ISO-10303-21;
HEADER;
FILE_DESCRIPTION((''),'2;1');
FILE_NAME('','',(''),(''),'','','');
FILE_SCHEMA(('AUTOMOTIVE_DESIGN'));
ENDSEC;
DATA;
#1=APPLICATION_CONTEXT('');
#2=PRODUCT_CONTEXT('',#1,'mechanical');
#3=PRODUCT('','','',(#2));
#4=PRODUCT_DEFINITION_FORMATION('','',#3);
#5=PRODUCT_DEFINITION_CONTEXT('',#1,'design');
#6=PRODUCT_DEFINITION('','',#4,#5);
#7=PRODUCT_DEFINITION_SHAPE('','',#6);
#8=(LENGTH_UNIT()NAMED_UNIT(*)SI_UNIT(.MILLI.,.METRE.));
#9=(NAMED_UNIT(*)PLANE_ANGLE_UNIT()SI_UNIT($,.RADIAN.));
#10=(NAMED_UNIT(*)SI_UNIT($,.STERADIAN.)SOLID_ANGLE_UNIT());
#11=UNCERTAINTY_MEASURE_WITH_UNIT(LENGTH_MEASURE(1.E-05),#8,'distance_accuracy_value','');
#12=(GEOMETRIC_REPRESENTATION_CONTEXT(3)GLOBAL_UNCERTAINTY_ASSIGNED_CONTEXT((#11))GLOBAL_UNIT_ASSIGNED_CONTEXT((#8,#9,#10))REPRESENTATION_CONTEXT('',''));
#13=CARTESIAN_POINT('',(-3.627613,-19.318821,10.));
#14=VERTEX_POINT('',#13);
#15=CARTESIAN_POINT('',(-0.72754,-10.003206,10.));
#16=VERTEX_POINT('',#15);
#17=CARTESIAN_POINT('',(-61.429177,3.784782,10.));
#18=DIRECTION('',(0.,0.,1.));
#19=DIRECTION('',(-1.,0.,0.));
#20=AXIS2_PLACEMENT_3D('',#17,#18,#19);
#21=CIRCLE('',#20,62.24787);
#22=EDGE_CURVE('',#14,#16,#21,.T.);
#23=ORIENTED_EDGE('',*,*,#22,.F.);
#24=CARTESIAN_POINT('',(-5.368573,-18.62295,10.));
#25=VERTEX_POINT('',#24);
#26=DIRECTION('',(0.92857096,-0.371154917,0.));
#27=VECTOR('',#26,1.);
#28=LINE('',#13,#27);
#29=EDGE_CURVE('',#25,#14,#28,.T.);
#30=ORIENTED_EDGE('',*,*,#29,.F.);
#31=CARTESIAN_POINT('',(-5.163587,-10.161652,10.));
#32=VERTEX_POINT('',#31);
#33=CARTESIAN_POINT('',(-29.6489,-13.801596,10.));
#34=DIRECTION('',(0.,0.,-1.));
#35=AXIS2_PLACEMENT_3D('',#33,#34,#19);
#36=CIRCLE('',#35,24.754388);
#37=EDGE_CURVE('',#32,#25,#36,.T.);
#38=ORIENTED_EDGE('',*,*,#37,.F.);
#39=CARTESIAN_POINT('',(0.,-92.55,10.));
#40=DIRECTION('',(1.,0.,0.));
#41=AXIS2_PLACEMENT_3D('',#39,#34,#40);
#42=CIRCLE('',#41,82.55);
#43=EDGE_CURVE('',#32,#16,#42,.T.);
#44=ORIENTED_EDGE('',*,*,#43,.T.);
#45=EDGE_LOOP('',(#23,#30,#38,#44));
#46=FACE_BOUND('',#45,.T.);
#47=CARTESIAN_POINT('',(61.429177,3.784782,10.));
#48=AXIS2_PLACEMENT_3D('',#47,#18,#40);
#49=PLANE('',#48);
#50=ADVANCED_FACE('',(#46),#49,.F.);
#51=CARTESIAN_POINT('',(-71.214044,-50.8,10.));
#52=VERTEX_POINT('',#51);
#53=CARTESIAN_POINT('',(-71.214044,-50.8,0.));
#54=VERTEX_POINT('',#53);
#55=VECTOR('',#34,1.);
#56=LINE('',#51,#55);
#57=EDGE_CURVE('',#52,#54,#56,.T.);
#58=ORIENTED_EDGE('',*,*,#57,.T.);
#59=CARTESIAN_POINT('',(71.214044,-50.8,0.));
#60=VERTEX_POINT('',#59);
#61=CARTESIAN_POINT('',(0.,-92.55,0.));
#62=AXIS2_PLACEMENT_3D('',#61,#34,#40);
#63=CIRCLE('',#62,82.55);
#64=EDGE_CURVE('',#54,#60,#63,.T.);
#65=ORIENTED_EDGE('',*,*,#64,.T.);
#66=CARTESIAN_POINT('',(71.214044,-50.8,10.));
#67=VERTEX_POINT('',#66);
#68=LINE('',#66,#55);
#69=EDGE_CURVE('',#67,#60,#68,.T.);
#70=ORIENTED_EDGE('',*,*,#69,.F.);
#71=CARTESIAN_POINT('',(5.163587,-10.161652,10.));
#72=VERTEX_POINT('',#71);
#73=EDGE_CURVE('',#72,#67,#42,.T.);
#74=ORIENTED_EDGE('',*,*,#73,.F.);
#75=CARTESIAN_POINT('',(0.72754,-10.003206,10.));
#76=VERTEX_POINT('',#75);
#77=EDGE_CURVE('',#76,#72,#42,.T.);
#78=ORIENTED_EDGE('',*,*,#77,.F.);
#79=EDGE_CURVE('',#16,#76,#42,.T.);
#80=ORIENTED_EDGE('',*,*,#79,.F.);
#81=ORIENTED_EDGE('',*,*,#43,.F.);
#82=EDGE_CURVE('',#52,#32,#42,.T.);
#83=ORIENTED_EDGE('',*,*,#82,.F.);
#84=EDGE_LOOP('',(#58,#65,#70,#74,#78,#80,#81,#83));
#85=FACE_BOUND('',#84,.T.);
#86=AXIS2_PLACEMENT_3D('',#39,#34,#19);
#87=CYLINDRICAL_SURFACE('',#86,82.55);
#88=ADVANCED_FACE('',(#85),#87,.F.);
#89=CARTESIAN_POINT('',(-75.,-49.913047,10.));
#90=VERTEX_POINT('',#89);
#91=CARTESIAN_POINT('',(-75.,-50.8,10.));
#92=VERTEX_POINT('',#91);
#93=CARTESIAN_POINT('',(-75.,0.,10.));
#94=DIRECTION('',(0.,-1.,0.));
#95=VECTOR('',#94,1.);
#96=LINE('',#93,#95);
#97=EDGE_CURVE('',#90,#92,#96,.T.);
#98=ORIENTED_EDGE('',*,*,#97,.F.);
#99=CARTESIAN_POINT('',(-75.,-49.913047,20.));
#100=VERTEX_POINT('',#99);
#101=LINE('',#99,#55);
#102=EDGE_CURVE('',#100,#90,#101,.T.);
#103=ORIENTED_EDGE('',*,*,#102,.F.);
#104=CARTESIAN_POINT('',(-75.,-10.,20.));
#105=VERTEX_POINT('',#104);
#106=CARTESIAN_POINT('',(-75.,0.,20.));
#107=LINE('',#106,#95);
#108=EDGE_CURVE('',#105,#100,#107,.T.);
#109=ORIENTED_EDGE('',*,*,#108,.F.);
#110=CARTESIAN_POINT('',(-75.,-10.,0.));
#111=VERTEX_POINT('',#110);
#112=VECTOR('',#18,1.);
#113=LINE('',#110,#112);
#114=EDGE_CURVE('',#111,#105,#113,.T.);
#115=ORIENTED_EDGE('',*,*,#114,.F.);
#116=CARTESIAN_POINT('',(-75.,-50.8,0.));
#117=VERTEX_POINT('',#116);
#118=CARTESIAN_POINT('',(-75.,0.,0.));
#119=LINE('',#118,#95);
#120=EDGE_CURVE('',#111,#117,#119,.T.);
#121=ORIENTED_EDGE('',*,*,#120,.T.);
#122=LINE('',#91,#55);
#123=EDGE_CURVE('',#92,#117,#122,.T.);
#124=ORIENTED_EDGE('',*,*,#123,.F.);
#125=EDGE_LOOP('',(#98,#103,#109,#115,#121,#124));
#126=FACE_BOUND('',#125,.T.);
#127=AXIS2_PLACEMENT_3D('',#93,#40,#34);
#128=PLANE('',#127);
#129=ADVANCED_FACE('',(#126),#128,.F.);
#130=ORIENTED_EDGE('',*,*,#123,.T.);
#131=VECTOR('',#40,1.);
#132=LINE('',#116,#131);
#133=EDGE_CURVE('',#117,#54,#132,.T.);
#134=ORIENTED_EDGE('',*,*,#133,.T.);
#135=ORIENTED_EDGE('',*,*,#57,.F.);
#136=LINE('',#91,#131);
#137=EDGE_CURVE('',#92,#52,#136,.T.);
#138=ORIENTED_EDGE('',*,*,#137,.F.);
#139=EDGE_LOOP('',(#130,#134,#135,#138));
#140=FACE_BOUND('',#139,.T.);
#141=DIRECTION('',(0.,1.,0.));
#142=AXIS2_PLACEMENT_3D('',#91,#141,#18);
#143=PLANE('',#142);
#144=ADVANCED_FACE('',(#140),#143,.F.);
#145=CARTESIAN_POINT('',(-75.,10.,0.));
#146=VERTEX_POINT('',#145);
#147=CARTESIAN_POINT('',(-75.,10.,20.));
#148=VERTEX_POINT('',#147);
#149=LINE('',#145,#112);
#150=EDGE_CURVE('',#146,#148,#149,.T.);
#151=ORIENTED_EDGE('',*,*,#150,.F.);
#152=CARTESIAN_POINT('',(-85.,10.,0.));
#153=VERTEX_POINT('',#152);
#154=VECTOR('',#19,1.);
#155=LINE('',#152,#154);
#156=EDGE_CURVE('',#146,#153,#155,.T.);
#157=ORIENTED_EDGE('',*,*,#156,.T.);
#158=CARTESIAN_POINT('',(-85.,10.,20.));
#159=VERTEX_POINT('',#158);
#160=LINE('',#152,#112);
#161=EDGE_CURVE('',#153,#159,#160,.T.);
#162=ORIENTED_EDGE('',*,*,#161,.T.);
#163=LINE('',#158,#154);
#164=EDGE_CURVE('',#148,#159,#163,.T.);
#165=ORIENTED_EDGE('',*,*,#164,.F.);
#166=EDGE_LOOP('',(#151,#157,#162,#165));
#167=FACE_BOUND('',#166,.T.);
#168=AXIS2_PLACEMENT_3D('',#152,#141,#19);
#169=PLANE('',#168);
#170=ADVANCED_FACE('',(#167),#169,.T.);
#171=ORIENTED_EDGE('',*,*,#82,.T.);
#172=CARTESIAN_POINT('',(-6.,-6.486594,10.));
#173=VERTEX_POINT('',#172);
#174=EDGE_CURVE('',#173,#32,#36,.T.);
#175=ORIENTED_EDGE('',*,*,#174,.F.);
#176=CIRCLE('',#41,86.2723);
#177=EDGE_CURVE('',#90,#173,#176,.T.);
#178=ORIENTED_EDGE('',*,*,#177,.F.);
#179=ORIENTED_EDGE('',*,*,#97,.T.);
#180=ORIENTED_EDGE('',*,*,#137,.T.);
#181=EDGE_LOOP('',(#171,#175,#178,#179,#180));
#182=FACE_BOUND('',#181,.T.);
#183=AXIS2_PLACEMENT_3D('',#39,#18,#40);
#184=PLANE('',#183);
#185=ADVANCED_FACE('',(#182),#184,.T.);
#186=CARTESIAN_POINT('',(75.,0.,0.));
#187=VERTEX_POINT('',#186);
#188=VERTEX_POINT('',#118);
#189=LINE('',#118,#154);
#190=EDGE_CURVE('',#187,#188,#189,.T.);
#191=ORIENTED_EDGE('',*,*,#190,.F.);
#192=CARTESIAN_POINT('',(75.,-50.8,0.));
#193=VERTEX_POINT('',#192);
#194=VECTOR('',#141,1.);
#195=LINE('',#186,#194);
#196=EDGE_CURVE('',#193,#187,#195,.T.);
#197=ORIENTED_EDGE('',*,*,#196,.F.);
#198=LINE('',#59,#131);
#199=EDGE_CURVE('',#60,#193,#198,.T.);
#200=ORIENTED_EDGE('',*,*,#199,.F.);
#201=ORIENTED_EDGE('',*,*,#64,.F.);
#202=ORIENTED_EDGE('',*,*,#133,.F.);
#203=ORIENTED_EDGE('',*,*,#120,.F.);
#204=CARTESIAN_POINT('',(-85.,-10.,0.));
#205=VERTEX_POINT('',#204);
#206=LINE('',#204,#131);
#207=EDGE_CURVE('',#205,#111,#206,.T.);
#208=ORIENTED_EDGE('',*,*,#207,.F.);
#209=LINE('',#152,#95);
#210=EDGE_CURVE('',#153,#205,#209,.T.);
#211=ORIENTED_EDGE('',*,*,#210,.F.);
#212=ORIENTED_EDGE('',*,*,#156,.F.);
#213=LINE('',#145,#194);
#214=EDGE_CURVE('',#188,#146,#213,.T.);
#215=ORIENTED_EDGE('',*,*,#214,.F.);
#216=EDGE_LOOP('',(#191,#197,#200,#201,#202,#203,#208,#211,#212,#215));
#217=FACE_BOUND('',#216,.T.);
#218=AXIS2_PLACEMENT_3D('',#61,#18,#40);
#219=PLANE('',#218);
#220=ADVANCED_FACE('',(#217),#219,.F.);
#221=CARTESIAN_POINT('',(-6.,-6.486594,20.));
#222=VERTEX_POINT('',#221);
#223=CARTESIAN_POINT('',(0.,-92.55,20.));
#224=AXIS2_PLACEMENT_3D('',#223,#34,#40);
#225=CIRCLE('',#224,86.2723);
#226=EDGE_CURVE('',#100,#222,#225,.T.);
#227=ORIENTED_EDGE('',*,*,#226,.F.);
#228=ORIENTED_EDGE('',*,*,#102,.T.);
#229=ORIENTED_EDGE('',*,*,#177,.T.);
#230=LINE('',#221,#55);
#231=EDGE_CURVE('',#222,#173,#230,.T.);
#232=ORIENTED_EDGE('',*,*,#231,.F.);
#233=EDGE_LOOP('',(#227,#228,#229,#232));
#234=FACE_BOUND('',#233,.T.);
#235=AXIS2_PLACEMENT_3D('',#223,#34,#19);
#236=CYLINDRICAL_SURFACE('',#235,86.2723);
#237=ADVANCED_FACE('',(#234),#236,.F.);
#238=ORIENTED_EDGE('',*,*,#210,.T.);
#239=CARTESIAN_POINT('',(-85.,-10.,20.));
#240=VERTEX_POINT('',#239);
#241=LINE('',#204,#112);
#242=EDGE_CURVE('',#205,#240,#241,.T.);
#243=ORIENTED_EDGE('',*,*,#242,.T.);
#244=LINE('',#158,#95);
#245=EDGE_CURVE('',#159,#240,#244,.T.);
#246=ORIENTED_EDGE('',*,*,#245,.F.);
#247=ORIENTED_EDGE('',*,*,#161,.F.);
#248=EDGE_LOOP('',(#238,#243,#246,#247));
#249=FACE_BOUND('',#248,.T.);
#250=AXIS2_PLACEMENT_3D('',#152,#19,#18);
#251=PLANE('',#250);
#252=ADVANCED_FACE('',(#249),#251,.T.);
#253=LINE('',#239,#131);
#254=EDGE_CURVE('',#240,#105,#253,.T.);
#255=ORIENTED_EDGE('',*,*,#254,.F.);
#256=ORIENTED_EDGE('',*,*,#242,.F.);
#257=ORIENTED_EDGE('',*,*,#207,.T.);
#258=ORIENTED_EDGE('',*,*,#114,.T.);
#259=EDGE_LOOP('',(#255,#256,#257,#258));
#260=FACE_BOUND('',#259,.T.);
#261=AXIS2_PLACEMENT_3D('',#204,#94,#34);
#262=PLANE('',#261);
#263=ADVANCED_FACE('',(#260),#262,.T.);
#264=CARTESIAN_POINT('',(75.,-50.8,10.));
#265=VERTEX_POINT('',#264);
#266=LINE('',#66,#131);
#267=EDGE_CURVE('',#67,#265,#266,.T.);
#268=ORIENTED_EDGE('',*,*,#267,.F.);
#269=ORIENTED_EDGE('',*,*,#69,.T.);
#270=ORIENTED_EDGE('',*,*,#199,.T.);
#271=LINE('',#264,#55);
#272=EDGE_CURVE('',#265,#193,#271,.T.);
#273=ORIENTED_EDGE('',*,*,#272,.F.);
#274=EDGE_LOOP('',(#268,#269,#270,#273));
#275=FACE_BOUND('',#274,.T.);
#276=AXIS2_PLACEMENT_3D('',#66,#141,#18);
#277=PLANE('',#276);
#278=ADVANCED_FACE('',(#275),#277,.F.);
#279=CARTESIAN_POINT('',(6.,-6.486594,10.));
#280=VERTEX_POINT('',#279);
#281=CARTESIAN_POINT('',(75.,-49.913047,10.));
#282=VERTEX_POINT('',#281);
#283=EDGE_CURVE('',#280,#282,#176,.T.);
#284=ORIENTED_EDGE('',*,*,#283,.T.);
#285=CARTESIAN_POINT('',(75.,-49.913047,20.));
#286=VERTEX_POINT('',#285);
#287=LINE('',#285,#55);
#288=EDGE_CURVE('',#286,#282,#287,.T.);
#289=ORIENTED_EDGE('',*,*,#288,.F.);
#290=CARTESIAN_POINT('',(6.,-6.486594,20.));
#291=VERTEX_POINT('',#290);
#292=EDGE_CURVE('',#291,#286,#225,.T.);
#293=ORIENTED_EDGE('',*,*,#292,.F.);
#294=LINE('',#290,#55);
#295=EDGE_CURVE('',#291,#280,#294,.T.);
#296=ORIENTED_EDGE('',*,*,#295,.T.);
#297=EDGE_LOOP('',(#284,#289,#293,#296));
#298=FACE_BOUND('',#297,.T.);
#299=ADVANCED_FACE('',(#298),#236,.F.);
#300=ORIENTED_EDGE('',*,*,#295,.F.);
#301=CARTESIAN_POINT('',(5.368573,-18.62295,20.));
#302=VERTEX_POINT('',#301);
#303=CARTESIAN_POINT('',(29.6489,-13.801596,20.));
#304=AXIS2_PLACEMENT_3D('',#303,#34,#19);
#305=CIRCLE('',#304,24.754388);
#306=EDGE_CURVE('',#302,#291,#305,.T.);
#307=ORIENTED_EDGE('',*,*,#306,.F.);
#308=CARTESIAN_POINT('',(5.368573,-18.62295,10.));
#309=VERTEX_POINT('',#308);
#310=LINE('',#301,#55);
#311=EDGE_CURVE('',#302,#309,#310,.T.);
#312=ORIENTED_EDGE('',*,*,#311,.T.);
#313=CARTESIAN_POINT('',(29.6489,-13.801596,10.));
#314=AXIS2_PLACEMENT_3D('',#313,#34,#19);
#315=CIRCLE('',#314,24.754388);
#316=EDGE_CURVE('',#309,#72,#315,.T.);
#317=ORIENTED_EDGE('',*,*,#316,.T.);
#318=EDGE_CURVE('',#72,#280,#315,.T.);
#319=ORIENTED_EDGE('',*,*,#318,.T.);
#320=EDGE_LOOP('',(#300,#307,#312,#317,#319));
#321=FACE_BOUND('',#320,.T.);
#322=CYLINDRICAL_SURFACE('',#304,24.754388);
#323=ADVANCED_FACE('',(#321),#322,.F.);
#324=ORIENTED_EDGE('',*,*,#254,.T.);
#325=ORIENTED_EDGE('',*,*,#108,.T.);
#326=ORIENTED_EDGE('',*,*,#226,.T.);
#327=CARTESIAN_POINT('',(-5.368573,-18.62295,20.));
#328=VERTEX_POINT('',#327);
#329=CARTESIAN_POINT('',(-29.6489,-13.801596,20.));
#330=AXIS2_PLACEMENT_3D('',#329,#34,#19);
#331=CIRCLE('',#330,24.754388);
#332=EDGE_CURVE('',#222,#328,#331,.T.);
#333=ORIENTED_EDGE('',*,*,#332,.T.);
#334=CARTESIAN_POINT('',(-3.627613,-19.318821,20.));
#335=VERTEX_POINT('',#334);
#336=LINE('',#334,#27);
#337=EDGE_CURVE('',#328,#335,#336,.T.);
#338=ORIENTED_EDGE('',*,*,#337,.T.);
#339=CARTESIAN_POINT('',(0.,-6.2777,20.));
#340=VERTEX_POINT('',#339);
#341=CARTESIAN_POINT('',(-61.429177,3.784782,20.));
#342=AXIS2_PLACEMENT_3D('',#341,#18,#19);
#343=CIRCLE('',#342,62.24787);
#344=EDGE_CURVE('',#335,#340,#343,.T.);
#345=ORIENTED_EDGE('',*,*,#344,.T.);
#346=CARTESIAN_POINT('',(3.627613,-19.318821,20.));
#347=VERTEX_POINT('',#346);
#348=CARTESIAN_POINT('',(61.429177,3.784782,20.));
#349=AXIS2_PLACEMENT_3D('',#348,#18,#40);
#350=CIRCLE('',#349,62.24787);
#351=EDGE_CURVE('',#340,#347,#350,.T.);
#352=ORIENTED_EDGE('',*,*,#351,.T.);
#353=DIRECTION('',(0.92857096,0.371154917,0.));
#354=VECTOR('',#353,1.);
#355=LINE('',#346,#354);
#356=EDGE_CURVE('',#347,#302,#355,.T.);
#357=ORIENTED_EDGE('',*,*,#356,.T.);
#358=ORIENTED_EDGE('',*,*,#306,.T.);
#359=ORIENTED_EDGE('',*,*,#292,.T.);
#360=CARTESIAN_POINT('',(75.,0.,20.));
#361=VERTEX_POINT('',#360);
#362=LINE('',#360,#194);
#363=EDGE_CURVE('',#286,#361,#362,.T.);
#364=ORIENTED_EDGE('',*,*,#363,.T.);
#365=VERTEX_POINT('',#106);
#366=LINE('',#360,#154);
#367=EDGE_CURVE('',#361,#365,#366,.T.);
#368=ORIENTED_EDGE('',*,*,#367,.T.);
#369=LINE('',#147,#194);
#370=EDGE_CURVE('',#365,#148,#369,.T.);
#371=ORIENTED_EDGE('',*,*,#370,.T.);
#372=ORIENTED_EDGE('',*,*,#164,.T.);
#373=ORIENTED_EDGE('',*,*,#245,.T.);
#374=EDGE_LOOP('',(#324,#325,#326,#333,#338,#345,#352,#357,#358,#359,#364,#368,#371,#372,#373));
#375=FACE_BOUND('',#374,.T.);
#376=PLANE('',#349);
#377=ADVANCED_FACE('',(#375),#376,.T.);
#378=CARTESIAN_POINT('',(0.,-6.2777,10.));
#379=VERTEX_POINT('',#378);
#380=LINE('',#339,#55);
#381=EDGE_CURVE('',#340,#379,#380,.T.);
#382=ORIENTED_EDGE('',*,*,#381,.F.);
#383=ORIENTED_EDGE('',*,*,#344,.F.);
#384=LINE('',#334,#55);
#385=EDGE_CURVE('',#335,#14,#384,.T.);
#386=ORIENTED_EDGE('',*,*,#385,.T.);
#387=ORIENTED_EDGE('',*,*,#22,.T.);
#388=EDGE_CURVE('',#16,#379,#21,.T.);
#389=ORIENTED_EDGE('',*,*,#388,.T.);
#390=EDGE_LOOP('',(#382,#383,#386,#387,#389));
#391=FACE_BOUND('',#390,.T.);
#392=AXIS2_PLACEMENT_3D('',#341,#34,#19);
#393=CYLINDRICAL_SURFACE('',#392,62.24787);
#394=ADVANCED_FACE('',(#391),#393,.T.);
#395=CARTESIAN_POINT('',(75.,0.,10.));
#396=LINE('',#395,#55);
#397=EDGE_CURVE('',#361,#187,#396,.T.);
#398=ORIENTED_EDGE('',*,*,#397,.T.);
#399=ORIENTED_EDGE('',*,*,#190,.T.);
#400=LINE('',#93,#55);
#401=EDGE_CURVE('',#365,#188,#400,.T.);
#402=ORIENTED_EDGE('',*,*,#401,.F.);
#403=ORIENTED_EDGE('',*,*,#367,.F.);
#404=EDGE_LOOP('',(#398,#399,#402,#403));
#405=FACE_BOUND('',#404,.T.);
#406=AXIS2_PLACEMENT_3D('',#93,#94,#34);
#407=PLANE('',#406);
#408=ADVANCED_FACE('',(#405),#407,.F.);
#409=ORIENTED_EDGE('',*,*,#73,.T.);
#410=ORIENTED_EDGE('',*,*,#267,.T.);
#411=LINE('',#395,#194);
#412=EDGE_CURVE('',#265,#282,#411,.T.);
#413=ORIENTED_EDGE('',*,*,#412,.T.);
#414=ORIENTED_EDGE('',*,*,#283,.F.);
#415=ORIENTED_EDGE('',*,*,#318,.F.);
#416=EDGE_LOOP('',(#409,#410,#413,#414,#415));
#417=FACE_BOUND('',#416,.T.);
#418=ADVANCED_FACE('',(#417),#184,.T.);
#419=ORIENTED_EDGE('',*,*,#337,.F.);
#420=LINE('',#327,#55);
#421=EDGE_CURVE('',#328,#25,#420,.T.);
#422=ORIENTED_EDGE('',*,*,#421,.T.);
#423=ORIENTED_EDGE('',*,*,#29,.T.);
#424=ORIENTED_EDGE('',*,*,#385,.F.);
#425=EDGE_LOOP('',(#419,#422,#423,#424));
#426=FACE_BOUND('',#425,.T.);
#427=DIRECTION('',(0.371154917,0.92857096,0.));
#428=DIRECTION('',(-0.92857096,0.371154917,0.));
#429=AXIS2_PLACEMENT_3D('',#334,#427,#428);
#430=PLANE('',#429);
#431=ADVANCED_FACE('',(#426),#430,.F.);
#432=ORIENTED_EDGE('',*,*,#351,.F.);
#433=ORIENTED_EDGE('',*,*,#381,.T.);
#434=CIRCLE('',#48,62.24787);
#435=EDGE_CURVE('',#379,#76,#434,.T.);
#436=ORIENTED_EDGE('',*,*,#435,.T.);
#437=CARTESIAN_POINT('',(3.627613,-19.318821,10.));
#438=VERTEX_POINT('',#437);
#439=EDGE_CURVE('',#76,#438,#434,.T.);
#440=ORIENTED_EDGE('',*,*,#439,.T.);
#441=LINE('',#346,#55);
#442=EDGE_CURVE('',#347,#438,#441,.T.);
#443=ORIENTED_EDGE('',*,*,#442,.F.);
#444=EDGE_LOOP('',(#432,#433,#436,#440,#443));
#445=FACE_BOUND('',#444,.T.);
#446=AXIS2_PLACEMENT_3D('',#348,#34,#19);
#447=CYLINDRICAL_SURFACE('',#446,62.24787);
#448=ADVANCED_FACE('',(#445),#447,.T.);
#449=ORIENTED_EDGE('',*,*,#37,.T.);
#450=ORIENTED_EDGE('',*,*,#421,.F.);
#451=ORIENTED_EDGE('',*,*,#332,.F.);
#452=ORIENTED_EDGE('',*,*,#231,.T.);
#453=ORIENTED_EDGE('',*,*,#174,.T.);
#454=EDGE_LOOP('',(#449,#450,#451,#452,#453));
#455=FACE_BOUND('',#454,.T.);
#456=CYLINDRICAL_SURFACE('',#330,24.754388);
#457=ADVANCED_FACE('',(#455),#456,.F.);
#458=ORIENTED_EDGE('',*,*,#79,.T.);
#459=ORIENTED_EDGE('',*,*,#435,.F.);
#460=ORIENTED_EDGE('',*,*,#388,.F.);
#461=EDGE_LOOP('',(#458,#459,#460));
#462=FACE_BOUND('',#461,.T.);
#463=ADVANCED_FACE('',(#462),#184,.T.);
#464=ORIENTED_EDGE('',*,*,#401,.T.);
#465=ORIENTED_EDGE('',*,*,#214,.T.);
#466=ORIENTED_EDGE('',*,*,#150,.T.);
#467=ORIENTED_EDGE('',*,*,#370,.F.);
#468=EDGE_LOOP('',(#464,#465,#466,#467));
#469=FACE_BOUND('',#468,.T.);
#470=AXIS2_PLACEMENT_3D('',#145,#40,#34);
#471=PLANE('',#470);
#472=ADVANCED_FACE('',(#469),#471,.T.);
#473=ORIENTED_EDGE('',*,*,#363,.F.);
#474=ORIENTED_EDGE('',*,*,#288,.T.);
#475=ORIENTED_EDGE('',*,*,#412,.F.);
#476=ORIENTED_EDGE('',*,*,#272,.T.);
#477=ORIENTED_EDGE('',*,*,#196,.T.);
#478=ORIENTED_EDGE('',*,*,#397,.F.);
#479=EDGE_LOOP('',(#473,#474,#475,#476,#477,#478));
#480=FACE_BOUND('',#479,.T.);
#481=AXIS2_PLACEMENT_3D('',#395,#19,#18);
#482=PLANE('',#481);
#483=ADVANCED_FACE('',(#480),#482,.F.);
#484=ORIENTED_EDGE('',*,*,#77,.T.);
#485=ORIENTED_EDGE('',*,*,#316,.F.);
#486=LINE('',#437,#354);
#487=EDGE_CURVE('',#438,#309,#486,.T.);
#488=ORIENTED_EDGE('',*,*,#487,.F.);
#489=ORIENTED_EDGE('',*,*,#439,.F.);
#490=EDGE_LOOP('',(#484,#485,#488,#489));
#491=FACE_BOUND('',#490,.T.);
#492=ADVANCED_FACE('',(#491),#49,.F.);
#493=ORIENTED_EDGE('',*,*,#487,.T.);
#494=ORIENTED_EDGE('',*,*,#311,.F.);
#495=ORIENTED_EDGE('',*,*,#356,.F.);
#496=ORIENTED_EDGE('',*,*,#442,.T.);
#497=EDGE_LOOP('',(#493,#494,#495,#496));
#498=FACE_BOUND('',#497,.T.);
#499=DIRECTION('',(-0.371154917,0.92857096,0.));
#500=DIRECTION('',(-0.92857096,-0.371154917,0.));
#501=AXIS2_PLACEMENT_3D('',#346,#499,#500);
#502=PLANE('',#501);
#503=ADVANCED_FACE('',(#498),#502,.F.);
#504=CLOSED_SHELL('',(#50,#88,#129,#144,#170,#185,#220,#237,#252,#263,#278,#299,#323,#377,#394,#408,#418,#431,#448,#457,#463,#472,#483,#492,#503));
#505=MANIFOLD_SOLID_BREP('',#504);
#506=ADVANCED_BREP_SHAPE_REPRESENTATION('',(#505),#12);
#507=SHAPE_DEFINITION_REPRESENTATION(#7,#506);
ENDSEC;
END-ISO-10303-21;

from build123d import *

# Parameters (mm, degrees)
BOSS_EXTRUDE1_DEPTH = 10
BOSS_EXTRUDE2_DEPTH = 10
SKETCH3_W           = 10
SKETCH3_H           = 20
BOSS_EXTRUDE3_DEPTH = 20


with BuildPart() as part:
    # Sketch1 → Boss-Extrude1 (new body)
    with BuildSketch(Plane.XY):
        with BuildLine():
            Line((-75, 0), (75, 0))
            Line((75, 0), (75, -50.8))
            Line((75, -50.8), (71.214043559, -50.8))
            ThreePointArc((71.214043559, -50.8), (0, -10), (-71.214043559, -50.8))
            Line((-71.214043559, -50.8), (-75, -50.8))
            Line((-75, -50.8), (-75, 0))
        make_face()
    extrude(amount=BOSS_EXTRUDE1_DEPTH)

    # Sketch2 → Boss-Extrude2 (add)
    with BuildSketch(Plane.XY.offset(10)):
        with BuildLine():
            Line((75, 0), (75, -49.913046695))
            ThreePointArc((75, -49.913046695), (45.953391498, -19.534963213), (6, -6.486594379))
            ThreePointArc((6, -6.486594379), (4.927947794, -12.515421427), (5.368573056, -18.622949642))
            Line((5.368573056, -18.622949642), (3.627612554, -19.318821125))
            ThreePointArc((3.627612554, -19.318821125), (1.458266232, -12.897160035), (0, -6.277699769))
            ThreePointArc((0, -6.277699769), (-1.458266232, -12.897160035), (-3.627612554, -19.318821125))
            Line((-3.627612554, -19.318821125), (-5.368573056, -18.622949642))
            ThreePointArc((-5.368573056, -18.622949642), (-4.927947794, -12.515421427), (-6, -6.486594379))
            ThreePointArc((-6, -6.486594379), (-45.953391498, -19.534963213), (-75, -49.913046695))
            Line((-75, -49.913046695), (-75, 0))
            Line((-75, 0), (75, 0))
        make_face()
    extrude(amount=BOSS_EXTRUDE2_DEPTH)

    # Sketch3 → Boss-Extrude3 (add)
    with BuildSketch(Plane.XY.offset(20)):
        with Locations((-80, 0)):
            Rectangle(SKETCH3_W, SKETCH3_H)
    extrude(amount=-BOSS_EXTRUDE3_DEPTH)


solid = part.part
